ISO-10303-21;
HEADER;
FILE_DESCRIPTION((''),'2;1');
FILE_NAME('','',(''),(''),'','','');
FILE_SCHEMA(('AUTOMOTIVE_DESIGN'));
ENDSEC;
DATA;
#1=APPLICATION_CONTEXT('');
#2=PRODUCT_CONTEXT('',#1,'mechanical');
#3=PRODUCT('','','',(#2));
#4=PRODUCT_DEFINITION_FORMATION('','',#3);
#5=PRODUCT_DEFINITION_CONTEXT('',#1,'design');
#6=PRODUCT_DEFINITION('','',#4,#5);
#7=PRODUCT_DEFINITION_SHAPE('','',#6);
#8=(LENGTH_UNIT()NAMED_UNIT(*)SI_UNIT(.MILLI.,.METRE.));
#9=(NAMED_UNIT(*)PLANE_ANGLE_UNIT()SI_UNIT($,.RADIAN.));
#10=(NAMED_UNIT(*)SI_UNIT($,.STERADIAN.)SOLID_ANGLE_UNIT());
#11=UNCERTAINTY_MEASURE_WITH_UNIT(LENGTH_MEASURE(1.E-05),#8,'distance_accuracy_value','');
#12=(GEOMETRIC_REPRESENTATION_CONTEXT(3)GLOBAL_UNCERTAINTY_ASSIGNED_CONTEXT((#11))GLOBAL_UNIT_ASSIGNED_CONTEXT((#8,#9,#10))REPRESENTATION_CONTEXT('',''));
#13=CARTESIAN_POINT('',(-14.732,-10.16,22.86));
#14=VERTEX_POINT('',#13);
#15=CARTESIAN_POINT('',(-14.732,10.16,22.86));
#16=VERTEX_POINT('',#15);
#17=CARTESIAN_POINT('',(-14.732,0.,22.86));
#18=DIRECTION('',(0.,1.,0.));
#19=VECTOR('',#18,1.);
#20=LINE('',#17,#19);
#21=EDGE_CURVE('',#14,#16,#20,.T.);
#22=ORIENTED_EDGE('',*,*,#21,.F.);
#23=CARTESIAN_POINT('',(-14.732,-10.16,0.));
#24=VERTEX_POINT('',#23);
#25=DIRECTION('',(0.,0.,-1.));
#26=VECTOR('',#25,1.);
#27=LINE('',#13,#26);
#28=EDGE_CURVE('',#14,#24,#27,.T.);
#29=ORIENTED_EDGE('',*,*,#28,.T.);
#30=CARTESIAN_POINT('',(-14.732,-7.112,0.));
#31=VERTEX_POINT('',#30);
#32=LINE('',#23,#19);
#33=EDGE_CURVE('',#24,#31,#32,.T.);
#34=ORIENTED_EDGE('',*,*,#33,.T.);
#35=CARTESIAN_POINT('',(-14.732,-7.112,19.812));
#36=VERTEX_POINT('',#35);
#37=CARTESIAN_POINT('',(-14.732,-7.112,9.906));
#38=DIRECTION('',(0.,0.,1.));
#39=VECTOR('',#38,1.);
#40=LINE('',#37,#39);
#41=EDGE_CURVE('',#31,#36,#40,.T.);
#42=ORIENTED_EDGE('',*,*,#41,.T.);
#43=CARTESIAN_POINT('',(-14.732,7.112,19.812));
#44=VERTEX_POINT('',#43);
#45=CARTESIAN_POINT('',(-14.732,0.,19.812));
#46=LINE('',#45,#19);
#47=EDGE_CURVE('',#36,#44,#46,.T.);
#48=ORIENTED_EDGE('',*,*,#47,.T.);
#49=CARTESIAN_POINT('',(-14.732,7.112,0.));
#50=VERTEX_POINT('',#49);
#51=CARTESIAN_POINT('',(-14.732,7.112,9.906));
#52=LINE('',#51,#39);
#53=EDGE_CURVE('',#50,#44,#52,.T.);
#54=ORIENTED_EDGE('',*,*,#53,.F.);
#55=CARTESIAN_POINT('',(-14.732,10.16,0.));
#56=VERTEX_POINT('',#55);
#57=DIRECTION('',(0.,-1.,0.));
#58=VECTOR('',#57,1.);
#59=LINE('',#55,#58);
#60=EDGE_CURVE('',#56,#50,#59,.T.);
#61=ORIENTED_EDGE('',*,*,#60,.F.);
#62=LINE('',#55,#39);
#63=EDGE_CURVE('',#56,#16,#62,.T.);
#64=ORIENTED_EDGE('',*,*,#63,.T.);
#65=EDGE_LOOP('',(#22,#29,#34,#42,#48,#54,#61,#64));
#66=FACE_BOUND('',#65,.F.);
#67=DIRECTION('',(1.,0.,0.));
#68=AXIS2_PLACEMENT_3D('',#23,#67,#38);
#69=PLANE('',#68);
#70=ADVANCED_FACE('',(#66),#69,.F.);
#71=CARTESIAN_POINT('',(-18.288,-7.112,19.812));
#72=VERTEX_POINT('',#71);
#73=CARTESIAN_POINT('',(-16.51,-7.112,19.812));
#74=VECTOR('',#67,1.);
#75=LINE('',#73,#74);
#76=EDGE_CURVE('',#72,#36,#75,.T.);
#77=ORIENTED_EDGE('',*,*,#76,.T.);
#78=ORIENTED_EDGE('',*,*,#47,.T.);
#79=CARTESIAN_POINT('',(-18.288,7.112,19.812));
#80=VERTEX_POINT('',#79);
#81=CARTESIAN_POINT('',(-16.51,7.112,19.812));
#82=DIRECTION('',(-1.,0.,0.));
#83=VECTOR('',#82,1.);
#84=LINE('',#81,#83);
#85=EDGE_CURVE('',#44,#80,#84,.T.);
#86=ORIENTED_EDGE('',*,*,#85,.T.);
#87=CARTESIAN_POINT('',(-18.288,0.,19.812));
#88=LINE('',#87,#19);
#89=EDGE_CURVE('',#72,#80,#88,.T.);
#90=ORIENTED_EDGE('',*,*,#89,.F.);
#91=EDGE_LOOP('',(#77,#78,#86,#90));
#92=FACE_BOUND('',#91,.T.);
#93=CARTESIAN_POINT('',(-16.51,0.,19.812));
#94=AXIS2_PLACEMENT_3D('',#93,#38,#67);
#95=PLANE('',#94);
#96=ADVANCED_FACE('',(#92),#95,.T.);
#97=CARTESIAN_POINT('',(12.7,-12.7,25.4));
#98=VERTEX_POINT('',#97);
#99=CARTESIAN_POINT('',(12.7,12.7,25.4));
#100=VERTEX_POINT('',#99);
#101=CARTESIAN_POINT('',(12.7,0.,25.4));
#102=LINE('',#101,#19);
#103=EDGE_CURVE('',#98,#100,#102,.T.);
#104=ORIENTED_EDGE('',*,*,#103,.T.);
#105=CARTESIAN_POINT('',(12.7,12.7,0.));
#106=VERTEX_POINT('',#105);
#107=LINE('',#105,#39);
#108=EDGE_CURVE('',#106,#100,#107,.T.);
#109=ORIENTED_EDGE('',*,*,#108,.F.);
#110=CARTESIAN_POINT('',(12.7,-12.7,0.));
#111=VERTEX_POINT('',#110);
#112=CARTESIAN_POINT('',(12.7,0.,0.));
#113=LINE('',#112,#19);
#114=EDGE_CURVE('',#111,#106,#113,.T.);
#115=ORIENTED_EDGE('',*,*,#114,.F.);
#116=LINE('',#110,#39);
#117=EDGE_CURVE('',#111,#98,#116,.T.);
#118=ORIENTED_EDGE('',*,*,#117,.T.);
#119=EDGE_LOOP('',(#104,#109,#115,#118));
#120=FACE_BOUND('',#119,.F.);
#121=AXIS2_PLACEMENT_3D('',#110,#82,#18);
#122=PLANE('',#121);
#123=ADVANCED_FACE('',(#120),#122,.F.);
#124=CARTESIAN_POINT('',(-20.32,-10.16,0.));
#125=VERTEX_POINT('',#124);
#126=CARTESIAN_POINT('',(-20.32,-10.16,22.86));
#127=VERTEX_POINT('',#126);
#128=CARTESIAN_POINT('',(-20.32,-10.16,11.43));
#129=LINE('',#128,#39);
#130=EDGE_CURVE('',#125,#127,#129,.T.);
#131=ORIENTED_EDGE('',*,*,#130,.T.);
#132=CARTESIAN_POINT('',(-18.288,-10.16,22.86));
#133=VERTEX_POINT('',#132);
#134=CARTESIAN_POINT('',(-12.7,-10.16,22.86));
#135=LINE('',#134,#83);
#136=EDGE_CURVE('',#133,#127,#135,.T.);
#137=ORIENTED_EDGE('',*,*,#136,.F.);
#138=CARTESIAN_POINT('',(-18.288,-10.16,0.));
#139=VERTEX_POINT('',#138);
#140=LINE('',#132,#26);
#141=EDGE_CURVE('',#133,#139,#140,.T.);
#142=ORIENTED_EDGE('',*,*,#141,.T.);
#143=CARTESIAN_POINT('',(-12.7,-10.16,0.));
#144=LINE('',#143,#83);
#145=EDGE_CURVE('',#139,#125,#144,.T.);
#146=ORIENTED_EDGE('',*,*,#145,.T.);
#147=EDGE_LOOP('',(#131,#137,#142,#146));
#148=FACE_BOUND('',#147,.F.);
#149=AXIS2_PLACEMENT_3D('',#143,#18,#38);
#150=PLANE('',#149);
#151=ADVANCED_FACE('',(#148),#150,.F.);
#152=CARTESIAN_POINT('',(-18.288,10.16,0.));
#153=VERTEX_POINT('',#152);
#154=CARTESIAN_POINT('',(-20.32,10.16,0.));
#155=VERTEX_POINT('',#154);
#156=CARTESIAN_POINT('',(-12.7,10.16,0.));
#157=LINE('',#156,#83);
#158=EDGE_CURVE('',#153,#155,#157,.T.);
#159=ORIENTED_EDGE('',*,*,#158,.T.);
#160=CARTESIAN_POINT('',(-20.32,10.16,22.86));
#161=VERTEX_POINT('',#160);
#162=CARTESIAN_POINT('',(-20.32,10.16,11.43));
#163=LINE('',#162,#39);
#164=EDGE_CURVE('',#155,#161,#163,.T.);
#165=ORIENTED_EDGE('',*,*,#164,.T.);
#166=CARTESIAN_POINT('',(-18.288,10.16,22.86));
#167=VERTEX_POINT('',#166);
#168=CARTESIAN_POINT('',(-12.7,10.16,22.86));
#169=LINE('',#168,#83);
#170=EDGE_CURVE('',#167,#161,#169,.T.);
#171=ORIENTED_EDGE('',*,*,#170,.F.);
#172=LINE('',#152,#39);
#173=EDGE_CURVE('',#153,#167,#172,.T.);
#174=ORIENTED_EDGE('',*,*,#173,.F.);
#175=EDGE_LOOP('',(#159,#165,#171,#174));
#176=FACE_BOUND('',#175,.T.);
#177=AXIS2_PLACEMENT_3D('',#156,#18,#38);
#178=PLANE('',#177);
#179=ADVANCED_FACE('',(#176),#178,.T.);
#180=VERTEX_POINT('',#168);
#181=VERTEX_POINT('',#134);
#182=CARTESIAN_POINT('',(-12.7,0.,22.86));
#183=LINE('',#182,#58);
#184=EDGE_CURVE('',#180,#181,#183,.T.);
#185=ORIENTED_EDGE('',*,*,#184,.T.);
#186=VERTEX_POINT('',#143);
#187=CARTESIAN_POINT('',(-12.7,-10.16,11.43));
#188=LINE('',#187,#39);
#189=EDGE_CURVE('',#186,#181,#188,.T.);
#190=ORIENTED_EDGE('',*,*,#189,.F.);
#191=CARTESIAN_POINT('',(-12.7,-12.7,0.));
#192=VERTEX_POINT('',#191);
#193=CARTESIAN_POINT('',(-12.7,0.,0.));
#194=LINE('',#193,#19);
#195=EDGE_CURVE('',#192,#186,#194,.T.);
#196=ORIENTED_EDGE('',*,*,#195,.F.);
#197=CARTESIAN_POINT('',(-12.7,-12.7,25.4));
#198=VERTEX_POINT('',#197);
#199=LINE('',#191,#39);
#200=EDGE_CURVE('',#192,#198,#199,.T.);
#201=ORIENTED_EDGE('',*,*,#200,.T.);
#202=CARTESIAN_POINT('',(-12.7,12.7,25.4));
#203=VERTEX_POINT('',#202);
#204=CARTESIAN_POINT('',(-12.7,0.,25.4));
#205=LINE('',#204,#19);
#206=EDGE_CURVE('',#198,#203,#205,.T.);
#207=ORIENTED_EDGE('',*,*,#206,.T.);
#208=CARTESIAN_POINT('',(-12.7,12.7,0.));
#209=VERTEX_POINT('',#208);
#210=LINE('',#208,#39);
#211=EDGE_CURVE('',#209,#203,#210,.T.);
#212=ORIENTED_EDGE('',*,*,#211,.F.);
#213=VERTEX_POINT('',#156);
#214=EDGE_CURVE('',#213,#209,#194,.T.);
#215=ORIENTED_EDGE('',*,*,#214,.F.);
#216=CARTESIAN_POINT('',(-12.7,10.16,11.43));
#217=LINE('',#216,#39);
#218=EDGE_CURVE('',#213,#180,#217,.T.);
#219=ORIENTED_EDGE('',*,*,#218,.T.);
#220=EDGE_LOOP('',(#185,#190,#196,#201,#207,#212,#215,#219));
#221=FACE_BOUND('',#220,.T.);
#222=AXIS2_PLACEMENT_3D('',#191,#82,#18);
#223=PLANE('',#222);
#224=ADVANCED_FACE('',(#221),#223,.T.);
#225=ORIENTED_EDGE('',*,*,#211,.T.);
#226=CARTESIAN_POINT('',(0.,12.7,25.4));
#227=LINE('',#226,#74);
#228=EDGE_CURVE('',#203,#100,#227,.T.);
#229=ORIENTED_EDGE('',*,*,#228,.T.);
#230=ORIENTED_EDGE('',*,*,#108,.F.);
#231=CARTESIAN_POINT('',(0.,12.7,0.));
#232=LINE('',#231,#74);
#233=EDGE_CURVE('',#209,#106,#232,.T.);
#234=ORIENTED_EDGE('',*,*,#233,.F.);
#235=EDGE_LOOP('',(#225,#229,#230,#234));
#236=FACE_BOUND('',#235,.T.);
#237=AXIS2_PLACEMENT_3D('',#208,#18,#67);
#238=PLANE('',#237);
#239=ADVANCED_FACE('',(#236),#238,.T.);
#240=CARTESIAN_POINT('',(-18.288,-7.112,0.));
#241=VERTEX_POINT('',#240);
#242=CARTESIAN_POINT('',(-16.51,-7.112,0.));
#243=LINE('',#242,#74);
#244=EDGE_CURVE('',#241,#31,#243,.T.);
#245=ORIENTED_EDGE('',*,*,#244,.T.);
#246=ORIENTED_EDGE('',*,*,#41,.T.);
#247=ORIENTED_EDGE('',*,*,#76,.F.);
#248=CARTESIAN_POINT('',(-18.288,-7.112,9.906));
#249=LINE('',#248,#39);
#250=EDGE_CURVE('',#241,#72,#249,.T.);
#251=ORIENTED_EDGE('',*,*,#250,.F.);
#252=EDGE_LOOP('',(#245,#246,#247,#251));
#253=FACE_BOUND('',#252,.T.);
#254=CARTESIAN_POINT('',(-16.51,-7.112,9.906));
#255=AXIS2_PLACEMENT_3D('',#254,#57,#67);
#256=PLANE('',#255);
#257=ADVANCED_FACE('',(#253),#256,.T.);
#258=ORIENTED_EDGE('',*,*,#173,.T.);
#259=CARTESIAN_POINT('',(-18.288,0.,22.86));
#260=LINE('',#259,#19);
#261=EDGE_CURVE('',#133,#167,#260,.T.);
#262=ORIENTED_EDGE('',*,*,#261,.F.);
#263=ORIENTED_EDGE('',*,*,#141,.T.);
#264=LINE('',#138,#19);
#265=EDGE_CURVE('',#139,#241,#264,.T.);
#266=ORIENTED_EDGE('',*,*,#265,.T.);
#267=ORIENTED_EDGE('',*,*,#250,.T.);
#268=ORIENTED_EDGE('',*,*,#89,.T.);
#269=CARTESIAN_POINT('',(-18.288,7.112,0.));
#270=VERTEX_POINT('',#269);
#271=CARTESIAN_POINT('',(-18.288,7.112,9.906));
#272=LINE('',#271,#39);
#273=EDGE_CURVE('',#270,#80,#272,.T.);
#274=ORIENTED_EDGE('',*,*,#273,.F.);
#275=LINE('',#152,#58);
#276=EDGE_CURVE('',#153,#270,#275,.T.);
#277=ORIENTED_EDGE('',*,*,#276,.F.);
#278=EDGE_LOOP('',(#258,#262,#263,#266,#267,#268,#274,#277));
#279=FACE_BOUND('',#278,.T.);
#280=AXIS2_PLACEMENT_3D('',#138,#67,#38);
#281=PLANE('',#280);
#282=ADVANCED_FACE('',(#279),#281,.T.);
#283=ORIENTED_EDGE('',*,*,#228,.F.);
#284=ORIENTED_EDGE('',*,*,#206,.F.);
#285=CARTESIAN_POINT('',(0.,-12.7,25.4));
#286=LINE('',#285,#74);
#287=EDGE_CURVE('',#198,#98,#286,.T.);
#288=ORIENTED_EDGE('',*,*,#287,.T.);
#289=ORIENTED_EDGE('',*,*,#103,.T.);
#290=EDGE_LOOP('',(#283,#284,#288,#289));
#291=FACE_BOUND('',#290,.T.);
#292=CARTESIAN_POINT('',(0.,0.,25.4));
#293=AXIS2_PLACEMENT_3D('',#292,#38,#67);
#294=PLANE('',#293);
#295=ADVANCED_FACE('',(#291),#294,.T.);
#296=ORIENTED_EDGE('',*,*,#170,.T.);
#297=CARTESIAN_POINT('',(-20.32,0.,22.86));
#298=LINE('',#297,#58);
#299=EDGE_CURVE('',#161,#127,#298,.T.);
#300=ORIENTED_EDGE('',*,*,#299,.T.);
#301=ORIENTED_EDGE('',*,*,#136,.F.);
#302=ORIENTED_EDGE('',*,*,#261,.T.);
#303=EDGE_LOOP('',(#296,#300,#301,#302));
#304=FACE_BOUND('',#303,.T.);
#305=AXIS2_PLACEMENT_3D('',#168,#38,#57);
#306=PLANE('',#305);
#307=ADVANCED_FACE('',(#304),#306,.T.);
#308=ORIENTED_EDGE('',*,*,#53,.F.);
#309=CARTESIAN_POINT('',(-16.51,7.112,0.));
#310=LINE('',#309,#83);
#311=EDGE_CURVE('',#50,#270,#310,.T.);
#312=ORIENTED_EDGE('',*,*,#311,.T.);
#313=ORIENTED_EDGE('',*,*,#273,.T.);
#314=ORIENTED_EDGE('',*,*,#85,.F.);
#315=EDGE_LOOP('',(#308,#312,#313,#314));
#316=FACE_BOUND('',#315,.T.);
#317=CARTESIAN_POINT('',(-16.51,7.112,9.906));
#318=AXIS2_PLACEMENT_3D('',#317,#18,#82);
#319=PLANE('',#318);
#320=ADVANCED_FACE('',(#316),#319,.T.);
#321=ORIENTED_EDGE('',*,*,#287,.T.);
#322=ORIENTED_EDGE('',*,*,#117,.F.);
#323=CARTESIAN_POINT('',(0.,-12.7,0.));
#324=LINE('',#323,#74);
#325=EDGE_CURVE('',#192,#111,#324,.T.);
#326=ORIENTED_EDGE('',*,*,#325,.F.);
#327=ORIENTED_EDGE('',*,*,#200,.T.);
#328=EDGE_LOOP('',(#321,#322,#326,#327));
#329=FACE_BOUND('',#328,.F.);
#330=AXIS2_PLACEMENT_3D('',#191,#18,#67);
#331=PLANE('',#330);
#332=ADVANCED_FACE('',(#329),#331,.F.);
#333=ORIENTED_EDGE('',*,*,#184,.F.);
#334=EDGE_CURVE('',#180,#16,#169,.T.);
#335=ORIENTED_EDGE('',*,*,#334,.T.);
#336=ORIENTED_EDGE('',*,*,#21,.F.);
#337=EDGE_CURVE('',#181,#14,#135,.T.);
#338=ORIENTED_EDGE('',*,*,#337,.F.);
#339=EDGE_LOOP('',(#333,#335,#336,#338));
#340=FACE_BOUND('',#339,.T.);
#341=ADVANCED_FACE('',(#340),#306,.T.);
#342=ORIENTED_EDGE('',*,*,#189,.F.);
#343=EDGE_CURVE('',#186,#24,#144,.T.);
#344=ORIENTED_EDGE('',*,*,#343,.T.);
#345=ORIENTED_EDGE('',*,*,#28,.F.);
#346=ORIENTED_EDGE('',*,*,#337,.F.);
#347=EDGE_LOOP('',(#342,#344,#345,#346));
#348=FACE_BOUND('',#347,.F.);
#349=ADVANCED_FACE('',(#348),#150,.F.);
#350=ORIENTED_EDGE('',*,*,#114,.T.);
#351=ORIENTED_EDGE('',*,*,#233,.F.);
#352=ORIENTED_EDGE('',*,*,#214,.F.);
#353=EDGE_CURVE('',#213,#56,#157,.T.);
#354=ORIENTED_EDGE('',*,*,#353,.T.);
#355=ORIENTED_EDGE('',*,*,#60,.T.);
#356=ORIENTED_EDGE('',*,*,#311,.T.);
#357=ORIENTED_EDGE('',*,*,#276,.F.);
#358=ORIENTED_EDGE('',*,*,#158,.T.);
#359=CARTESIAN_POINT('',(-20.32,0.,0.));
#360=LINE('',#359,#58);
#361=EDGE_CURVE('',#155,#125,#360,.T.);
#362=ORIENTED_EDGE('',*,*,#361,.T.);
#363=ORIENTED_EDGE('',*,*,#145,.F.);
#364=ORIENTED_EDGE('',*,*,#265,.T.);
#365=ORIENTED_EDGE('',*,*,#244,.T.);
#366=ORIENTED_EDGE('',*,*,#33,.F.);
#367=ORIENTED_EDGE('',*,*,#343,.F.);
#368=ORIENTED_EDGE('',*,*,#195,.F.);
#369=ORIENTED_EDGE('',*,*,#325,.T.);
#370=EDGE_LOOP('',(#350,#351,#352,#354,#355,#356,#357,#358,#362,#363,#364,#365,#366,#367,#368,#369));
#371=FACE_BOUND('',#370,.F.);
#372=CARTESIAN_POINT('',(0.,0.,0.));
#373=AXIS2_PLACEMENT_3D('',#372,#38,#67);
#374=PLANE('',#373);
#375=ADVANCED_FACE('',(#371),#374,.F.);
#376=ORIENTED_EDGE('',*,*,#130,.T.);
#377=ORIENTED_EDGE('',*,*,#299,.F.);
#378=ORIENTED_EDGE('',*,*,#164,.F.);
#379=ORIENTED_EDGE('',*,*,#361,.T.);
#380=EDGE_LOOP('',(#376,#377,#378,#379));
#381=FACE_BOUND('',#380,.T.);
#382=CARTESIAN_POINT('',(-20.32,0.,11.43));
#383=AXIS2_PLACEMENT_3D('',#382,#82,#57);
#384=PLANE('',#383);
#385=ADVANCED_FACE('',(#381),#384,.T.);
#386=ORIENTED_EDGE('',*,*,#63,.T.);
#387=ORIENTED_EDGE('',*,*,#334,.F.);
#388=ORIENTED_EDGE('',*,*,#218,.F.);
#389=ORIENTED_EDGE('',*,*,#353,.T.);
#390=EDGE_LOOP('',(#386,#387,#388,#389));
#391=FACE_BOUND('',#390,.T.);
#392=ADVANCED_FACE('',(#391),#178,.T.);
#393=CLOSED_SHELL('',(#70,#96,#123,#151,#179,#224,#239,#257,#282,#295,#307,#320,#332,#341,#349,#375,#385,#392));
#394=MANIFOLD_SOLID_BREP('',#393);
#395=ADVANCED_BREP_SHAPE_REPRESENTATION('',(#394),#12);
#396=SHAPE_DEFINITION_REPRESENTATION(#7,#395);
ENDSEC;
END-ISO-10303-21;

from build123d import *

# Parameters (mm, degrees)
F0_W     = 25.4
F0_H     = 25.4
F1_DEPTH = 25.4
F2_W     = 20.32
F2_H     = 22.86
F3_DEPTH = 7.62
F4_W     = 3.556
F4_H     = 20.32
F5_DEPTH = 3.048
F6_W     = 3.556
F6_H     = 19.812
F7_DEPTH = 3.048
F8_W     = 3.556
F8_H     = 19.812
F9_DEPTH = 3.048


with BuildPart() as f1:
    # F0 (on Top) → F1 (new body)
    with BuildSketch(Plane.XY):
        Rectangle(F0_W, F0_H)
    extrude(amount=F1_DEPTH)

    # F2 (on face) → F3 (join)
    with BuildSketch(Plane(origin=(-12.7, 0, 0), x_dir=(0, -1, 0), z_dir=(-1, 0, 0))):
        with Locations((0, 11.43)):
            Rectangle(F2_W, F2_H)
    extrude(amount=F3_DEPTH)

    # F4 (on face) → F5 (cut)
    with BuildSketch(Plane.XY.offset(22.86)):
        with Locations((-16.51, 0)):
            Rectangle(F4_W, F4_H)
    extrude(amount=-F5_DEPTH, mode=Mode.SUBTRACT)

    # F6 (on face) → F7 (cut)
    with BuildSketch(Plane.XZ.offset(10.16)):
        with Locations((-16.51, 9.906)):
            Rectangle(F6_W, F6_H)
    extrude(amount=-F7_DEPTH, mode=Mode.SUBTRACT)

    # F8 (on face) → F9 (cut)
    with BuildSketch(Plane(origin=(0, 10.16, 0), x_dir=(-1, 0, 0), z_dir=(0, 1, 0))):
        with Locations((16.51, 9.906)):
            Rectangle(F8_W, F8_H)
    extrude(amount=-F9_DEPTH, mode=Mode.SUBTRACT)


with BuildPart() as f10_1:
    # F10: copy of F1
    add(f1.part.moved(Location((-54.102, 0, 0))))


solid = f1.part
